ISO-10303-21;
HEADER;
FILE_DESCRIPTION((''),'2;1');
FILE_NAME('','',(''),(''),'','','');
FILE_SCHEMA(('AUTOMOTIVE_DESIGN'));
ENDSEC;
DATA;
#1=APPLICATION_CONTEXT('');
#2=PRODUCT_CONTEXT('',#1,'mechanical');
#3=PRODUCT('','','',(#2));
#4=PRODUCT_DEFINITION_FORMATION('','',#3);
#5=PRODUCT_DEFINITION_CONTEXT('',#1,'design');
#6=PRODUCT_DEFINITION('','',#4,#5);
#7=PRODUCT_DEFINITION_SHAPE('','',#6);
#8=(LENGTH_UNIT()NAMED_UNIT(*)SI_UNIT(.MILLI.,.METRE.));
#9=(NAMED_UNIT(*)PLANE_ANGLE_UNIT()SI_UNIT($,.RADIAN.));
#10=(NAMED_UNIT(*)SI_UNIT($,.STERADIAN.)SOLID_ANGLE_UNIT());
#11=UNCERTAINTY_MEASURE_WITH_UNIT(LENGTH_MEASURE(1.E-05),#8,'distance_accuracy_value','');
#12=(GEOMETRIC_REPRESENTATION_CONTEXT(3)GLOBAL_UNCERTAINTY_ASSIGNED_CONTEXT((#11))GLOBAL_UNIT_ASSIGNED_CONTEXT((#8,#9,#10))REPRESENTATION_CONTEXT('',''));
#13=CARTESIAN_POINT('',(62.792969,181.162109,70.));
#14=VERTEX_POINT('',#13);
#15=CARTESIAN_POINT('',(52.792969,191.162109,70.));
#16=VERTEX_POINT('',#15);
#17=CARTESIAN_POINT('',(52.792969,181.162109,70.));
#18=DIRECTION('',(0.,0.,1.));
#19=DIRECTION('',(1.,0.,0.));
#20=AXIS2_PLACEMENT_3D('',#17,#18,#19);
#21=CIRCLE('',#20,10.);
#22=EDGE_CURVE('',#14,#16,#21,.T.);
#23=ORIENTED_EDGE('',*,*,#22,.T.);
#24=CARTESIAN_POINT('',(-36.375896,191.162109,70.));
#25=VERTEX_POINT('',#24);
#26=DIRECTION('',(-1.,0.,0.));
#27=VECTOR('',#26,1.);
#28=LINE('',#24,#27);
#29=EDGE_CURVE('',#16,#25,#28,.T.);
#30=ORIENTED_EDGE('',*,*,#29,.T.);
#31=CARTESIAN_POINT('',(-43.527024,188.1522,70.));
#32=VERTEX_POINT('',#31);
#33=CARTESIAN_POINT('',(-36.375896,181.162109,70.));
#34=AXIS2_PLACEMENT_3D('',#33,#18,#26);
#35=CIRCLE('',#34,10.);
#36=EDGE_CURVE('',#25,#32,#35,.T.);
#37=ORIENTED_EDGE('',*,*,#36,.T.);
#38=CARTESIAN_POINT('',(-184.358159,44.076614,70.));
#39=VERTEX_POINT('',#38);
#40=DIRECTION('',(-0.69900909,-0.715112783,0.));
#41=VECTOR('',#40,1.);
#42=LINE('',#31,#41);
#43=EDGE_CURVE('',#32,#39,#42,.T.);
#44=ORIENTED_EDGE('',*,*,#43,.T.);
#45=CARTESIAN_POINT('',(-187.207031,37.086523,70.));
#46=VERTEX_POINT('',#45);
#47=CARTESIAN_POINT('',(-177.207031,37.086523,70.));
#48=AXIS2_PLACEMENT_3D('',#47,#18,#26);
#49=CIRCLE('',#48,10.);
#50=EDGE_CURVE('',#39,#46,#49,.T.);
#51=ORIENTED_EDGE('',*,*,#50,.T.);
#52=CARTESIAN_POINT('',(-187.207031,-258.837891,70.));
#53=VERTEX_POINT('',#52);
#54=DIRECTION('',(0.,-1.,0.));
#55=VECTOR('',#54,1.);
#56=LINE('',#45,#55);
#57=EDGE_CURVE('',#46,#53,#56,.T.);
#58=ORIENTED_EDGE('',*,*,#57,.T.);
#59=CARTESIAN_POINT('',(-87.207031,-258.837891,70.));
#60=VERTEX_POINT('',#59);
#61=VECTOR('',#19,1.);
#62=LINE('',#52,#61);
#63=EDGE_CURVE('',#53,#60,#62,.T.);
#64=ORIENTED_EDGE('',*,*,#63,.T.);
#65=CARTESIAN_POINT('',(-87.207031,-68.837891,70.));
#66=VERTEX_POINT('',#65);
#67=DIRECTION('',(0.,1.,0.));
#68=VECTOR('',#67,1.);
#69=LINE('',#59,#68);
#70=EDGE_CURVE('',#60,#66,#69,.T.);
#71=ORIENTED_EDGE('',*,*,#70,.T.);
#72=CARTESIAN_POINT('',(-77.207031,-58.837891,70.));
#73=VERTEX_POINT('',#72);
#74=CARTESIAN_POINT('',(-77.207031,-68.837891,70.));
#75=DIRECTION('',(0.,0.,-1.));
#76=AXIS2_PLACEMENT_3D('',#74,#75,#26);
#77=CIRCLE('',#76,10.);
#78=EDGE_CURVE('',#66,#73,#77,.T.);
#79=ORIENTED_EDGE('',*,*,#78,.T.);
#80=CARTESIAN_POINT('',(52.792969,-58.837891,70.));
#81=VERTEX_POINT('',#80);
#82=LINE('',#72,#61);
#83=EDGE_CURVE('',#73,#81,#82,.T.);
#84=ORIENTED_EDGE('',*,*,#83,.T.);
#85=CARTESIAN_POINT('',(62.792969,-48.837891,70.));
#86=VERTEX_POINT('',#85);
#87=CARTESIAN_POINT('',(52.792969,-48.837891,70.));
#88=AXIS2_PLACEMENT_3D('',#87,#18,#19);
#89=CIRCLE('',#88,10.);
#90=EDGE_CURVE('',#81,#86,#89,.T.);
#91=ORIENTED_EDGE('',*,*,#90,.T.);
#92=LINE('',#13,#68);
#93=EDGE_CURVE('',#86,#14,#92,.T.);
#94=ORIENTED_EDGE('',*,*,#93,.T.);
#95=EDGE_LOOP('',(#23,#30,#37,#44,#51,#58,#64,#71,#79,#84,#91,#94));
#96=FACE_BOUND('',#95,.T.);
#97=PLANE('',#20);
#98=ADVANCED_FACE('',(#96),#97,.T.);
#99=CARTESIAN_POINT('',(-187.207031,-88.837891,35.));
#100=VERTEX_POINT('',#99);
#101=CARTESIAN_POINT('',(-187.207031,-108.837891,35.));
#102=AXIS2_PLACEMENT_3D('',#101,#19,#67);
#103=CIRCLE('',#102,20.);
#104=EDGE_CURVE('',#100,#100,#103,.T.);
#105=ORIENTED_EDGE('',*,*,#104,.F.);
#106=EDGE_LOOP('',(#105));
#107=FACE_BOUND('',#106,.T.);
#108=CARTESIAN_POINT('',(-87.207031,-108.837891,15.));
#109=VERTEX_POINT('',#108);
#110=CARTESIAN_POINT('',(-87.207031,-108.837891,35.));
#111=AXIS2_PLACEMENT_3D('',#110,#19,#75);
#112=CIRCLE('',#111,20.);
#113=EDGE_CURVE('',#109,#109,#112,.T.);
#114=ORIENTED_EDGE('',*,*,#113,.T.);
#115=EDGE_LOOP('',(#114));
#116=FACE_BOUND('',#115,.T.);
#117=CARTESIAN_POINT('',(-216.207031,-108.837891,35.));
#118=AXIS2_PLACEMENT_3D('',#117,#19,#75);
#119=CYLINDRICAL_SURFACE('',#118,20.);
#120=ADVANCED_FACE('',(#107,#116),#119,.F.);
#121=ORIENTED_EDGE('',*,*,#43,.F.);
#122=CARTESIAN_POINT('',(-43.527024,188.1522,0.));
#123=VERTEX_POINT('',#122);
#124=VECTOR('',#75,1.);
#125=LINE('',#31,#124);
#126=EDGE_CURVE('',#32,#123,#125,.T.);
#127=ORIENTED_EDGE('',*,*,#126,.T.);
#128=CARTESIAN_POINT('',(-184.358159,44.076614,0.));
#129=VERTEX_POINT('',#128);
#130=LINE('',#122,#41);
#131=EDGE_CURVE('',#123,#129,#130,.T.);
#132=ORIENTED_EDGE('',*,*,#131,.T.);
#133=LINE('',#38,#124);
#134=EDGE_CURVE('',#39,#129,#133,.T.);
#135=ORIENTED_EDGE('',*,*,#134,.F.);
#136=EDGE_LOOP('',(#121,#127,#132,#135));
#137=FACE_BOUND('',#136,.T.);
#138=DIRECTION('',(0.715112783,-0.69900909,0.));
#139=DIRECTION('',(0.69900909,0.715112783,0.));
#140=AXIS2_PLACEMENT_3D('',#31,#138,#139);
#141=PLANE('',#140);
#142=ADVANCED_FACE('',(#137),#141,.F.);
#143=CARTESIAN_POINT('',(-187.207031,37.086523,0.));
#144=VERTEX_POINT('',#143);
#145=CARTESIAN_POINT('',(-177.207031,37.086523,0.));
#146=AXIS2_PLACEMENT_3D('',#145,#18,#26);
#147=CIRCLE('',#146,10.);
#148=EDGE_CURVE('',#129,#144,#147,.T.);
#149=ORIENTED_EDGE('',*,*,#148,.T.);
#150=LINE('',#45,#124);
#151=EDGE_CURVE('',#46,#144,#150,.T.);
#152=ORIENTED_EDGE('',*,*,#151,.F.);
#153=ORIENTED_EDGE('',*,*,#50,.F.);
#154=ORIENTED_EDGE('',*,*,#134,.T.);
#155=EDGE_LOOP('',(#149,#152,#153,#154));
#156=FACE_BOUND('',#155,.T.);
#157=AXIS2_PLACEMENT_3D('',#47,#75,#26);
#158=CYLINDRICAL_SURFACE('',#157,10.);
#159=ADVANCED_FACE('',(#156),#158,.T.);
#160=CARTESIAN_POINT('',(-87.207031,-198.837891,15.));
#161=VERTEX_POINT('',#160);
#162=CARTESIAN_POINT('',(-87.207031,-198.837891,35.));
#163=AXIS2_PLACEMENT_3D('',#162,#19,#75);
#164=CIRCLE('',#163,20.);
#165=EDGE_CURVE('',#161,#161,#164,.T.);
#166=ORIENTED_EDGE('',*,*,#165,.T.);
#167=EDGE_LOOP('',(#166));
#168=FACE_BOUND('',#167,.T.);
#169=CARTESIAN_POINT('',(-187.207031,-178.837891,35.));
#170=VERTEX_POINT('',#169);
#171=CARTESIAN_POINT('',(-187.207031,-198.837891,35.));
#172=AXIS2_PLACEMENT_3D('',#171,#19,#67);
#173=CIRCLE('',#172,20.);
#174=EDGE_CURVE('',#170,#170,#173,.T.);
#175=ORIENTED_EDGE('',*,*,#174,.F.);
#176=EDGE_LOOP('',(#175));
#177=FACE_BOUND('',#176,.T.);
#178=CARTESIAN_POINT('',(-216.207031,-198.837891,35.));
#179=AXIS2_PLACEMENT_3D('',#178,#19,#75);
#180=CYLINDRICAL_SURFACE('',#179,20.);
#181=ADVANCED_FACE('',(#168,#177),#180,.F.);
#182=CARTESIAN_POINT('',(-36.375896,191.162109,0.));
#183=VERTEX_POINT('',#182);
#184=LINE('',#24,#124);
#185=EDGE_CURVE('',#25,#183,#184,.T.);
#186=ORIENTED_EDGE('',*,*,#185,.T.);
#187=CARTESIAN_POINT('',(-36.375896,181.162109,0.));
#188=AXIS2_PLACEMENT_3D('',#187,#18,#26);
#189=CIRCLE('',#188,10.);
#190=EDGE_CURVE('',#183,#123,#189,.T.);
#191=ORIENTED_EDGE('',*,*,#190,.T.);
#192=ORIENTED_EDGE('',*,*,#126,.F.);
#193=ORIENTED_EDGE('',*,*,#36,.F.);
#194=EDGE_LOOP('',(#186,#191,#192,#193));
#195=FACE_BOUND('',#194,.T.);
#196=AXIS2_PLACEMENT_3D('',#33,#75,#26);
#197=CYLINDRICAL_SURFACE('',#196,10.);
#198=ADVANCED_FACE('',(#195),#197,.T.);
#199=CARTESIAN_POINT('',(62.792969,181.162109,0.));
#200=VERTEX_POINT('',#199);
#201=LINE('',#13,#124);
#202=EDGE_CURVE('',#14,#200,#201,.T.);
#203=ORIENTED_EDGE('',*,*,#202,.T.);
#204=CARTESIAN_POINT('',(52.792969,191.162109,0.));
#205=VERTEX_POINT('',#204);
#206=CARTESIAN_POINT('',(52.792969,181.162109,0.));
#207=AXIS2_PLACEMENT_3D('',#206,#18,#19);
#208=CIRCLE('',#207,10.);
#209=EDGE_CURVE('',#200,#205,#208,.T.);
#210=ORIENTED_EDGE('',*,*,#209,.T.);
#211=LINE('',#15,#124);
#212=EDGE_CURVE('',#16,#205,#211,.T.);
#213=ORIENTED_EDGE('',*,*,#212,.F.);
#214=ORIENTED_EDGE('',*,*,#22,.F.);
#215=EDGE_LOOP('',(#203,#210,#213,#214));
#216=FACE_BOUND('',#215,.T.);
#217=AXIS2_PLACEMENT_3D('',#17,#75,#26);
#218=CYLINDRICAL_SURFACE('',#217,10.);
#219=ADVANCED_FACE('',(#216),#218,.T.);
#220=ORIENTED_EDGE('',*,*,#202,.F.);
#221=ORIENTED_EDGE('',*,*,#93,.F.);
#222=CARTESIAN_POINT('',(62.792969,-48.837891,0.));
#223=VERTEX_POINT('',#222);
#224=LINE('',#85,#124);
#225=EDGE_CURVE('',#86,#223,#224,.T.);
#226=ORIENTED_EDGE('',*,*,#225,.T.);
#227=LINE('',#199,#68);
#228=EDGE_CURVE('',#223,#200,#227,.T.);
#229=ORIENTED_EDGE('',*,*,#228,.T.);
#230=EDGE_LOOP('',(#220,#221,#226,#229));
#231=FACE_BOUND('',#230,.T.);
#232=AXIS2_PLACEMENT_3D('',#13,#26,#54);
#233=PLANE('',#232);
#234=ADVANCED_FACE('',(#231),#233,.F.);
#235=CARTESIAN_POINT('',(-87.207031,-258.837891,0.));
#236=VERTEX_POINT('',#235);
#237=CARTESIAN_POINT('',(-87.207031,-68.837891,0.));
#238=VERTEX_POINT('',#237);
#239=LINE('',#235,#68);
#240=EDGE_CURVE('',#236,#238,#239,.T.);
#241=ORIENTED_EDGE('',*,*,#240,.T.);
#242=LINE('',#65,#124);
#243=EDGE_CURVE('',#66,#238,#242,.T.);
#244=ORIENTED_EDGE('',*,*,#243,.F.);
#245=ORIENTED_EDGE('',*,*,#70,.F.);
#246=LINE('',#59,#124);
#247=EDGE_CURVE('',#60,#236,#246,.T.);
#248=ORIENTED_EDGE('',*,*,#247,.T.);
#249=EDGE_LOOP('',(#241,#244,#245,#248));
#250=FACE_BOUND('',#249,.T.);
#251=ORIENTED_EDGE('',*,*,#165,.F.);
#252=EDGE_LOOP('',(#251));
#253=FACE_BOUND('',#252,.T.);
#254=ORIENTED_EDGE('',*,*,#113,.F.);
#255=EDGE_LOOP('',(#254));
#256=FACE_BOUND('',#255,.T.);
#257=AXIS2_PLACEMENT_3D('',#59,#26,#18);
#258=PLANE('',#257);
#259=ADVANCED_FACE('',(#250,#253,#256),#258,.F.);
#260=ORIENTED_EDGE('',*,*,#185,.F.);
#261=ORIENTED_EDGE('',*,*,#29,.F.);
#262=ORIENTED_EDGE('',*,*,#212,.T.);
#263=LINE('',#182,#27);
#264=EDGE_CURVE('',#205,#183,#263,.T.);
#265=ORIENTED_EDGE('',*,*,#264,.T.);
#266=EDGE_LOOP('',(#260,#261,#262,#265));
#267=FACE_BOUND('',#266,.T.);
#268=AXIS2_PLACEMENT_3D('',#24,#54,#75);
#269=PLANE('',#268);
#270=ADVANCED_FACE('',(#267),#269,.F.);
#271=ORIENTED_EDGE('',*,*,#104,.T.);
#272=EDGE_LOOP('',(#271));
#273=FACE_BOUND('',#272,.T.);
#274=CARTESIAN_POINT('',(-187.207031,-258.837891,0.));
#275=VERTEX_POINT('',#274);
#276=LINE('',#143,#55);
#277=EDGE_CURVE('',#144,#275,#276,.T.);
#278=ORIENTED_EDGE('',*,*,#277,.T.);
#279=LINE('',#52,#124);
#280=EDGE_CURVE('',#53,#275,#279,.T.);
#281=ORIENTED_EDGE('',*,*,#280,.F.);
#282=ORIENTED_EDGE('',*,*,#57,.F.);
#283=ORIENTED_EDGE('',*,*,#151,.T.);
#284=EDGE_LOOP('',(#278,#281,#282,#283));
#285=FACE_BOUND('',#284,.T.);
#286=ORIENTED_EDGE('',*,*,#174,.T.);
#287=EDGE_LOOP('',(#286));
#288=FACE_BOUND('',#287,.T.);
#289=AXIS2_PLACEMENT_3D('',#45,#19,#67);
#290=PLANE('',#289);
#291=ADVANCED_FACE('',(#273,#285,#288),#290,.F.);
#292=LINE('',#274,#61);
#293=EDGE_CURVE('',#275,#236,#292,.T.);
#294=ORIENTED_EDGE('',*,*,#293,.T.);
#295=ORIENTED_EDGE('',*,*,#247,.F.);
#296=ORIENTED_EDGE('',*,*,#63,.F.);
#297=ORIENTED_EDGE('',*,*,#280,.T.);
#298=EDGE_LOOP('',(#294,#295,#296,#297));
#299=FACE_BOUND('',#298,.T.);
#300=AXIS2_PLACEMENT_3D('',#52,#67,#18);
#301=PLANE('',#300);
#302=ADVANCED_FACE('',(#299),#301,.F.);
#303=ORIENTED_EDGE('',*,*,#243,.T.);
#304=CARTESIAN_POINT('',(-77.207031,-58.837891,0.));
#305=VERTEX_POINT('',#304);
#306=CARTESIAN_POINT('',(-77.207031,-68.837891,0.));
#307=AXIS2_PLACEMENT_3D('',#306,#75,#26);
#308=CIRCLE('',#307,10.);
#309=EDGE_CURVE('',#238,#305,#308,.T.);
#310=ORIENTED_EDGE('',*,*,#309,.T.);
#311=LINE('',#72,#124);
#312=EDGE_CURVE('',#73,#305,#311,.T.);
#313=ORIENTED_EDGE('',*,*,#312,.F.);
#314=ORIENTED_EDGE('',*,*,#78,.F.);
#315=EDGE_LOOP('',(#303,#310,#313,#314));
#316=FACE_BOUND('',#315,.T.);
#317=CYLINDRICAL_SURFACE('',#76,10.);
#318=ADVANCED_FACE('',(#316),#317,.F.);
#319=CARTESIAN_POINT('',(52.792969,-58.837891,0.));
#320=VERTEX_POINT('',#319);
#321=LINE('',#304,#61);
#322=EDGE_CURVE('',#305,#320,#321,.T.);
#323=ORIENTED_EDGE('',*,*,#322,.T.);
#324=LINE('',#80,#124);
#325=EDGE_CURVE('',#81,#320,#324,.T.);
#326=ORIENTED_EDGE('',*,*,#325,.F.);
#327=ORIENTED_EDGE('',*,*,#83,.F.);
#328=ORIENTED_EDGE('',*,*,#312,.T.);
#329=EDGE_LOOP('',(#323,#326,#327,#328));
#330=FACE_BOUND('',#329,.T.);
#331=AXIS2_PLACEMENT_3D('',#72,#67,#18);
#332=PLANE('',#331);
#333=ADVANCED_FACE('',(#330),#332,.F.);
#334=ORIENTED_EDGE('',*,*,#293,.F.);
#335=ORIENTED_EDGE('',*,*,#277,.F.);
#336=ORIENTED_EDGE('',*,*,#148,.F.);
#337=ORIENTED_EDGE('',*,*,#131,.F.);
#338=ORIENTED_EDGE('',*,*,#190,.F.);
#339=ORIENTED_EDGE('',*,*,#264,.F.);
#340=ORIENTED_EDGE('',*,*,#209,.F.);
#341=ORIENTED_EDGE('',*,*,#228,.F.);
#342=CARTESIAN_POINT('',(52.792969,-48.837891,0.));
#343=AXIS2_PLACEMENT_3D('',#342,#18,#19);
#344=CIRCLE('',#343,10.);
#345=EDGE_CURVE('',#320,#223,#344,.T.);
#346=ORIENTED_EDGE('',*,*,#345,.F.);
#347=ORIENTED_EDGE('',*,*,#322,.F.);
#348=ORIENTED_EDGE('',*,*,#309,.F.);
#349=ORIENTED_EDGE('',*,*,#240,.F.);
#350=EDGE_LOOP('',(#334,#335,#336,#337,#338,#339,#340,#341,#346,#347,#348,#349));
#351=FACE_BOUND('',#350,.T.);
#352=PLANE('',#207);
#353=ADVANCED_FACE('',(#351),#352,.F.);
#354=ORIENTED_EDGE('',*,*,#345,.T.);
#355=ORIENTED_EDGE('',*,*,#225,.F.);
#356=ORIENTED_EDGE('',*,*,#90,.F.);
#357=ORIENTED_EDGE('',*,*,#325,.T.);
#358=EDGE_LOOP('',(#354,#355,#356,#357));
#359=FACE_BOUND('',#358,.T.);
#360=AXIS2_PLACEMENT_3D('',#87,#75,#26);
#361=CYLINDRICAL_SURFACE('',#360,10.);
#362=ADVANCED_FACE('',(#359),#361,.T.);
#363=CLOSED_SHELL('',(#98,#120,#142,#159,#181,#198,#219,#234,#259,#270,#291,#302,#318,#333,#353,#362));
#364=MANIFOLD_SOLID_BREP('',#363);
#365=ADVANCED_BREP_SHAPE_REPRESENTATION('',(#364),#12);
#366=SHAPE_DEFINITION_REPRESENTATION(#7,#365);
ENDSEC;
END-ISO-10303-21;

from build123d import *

# Parameters (mm, degrees)
BOSS_EXTRUDE1_DEPTH = 70
SKETCH2_R           = 20
CUT_EXTRUDE1_DEPTH  = 129


with BuildPart() as part:
    # Sketch1 → Boss-Extrude1 (new body)
    with BuildSketch(Plane.XY):
        with BuildLine():
            Line((-187.20703125, 37.086522646), (-187.20703125, -258.837890625))
            Line((-187.20703125, -258.837890625), (-87.20703125, -258.837890625))
            Line((-87.20703125, -258.837890625), (-87.20703125, -68.837890625))
            ThreePointArc((-87.20703125, -68.837890625), (-84.278099062, -61.766822813), (-77.20703125, -58.837890625))
            Line((-77.20703125, -58.837890625), (52.79296875, -58.837890625))
            ThreePointArc((52.79296875, -58.837890625), (59.864036562, -55.908958437), (62.79296875, -48.837890625))
            Line((62.79296875, -48.837890625), (62.79296875, 181.162109375))
            ThreePointArc((62.79296875, 181.162109375), (59.864036562, 188.233177187), (52.79296875, 191.162109375))
            Line((52.79296875, 191.162109375), (-36.375896467, 191.162109375))
            ThreePointArc((-36.375896467, 191.162109375), (-40.255270839, 190.378966458), (-43.527024298, 188.152200272))
            Line((-43.527024298, 188.152200272), (-184.35815908, 44.076613543))
            ThreePointArc((-184.35815908, 44.076613543), (-186.467465319, 40.860692866), (-187.20703125, 37.086522646))
        make_face()
    extrude(amount=BOSS_EXTRUDE1_DEPTH)

    # Sketch2 → Cut-Extrude1 (cut)
    with BuildSketch(Plane(origin=(-87.20703125, 0, 0), x_dir=(0, 0, -1), z_dir=(1, 0, 0))):
        with Locations((-35, -108.837890625)):
            Circle(SKETCH2_R)
        with Locations((-35, -198.837890625)):
            Circle(SKETCH2_R)
    extrude(amount=-CUT_EXTRUDE1_DEPTH, mode=Mode.SUBTRACT)


solid = part.part
